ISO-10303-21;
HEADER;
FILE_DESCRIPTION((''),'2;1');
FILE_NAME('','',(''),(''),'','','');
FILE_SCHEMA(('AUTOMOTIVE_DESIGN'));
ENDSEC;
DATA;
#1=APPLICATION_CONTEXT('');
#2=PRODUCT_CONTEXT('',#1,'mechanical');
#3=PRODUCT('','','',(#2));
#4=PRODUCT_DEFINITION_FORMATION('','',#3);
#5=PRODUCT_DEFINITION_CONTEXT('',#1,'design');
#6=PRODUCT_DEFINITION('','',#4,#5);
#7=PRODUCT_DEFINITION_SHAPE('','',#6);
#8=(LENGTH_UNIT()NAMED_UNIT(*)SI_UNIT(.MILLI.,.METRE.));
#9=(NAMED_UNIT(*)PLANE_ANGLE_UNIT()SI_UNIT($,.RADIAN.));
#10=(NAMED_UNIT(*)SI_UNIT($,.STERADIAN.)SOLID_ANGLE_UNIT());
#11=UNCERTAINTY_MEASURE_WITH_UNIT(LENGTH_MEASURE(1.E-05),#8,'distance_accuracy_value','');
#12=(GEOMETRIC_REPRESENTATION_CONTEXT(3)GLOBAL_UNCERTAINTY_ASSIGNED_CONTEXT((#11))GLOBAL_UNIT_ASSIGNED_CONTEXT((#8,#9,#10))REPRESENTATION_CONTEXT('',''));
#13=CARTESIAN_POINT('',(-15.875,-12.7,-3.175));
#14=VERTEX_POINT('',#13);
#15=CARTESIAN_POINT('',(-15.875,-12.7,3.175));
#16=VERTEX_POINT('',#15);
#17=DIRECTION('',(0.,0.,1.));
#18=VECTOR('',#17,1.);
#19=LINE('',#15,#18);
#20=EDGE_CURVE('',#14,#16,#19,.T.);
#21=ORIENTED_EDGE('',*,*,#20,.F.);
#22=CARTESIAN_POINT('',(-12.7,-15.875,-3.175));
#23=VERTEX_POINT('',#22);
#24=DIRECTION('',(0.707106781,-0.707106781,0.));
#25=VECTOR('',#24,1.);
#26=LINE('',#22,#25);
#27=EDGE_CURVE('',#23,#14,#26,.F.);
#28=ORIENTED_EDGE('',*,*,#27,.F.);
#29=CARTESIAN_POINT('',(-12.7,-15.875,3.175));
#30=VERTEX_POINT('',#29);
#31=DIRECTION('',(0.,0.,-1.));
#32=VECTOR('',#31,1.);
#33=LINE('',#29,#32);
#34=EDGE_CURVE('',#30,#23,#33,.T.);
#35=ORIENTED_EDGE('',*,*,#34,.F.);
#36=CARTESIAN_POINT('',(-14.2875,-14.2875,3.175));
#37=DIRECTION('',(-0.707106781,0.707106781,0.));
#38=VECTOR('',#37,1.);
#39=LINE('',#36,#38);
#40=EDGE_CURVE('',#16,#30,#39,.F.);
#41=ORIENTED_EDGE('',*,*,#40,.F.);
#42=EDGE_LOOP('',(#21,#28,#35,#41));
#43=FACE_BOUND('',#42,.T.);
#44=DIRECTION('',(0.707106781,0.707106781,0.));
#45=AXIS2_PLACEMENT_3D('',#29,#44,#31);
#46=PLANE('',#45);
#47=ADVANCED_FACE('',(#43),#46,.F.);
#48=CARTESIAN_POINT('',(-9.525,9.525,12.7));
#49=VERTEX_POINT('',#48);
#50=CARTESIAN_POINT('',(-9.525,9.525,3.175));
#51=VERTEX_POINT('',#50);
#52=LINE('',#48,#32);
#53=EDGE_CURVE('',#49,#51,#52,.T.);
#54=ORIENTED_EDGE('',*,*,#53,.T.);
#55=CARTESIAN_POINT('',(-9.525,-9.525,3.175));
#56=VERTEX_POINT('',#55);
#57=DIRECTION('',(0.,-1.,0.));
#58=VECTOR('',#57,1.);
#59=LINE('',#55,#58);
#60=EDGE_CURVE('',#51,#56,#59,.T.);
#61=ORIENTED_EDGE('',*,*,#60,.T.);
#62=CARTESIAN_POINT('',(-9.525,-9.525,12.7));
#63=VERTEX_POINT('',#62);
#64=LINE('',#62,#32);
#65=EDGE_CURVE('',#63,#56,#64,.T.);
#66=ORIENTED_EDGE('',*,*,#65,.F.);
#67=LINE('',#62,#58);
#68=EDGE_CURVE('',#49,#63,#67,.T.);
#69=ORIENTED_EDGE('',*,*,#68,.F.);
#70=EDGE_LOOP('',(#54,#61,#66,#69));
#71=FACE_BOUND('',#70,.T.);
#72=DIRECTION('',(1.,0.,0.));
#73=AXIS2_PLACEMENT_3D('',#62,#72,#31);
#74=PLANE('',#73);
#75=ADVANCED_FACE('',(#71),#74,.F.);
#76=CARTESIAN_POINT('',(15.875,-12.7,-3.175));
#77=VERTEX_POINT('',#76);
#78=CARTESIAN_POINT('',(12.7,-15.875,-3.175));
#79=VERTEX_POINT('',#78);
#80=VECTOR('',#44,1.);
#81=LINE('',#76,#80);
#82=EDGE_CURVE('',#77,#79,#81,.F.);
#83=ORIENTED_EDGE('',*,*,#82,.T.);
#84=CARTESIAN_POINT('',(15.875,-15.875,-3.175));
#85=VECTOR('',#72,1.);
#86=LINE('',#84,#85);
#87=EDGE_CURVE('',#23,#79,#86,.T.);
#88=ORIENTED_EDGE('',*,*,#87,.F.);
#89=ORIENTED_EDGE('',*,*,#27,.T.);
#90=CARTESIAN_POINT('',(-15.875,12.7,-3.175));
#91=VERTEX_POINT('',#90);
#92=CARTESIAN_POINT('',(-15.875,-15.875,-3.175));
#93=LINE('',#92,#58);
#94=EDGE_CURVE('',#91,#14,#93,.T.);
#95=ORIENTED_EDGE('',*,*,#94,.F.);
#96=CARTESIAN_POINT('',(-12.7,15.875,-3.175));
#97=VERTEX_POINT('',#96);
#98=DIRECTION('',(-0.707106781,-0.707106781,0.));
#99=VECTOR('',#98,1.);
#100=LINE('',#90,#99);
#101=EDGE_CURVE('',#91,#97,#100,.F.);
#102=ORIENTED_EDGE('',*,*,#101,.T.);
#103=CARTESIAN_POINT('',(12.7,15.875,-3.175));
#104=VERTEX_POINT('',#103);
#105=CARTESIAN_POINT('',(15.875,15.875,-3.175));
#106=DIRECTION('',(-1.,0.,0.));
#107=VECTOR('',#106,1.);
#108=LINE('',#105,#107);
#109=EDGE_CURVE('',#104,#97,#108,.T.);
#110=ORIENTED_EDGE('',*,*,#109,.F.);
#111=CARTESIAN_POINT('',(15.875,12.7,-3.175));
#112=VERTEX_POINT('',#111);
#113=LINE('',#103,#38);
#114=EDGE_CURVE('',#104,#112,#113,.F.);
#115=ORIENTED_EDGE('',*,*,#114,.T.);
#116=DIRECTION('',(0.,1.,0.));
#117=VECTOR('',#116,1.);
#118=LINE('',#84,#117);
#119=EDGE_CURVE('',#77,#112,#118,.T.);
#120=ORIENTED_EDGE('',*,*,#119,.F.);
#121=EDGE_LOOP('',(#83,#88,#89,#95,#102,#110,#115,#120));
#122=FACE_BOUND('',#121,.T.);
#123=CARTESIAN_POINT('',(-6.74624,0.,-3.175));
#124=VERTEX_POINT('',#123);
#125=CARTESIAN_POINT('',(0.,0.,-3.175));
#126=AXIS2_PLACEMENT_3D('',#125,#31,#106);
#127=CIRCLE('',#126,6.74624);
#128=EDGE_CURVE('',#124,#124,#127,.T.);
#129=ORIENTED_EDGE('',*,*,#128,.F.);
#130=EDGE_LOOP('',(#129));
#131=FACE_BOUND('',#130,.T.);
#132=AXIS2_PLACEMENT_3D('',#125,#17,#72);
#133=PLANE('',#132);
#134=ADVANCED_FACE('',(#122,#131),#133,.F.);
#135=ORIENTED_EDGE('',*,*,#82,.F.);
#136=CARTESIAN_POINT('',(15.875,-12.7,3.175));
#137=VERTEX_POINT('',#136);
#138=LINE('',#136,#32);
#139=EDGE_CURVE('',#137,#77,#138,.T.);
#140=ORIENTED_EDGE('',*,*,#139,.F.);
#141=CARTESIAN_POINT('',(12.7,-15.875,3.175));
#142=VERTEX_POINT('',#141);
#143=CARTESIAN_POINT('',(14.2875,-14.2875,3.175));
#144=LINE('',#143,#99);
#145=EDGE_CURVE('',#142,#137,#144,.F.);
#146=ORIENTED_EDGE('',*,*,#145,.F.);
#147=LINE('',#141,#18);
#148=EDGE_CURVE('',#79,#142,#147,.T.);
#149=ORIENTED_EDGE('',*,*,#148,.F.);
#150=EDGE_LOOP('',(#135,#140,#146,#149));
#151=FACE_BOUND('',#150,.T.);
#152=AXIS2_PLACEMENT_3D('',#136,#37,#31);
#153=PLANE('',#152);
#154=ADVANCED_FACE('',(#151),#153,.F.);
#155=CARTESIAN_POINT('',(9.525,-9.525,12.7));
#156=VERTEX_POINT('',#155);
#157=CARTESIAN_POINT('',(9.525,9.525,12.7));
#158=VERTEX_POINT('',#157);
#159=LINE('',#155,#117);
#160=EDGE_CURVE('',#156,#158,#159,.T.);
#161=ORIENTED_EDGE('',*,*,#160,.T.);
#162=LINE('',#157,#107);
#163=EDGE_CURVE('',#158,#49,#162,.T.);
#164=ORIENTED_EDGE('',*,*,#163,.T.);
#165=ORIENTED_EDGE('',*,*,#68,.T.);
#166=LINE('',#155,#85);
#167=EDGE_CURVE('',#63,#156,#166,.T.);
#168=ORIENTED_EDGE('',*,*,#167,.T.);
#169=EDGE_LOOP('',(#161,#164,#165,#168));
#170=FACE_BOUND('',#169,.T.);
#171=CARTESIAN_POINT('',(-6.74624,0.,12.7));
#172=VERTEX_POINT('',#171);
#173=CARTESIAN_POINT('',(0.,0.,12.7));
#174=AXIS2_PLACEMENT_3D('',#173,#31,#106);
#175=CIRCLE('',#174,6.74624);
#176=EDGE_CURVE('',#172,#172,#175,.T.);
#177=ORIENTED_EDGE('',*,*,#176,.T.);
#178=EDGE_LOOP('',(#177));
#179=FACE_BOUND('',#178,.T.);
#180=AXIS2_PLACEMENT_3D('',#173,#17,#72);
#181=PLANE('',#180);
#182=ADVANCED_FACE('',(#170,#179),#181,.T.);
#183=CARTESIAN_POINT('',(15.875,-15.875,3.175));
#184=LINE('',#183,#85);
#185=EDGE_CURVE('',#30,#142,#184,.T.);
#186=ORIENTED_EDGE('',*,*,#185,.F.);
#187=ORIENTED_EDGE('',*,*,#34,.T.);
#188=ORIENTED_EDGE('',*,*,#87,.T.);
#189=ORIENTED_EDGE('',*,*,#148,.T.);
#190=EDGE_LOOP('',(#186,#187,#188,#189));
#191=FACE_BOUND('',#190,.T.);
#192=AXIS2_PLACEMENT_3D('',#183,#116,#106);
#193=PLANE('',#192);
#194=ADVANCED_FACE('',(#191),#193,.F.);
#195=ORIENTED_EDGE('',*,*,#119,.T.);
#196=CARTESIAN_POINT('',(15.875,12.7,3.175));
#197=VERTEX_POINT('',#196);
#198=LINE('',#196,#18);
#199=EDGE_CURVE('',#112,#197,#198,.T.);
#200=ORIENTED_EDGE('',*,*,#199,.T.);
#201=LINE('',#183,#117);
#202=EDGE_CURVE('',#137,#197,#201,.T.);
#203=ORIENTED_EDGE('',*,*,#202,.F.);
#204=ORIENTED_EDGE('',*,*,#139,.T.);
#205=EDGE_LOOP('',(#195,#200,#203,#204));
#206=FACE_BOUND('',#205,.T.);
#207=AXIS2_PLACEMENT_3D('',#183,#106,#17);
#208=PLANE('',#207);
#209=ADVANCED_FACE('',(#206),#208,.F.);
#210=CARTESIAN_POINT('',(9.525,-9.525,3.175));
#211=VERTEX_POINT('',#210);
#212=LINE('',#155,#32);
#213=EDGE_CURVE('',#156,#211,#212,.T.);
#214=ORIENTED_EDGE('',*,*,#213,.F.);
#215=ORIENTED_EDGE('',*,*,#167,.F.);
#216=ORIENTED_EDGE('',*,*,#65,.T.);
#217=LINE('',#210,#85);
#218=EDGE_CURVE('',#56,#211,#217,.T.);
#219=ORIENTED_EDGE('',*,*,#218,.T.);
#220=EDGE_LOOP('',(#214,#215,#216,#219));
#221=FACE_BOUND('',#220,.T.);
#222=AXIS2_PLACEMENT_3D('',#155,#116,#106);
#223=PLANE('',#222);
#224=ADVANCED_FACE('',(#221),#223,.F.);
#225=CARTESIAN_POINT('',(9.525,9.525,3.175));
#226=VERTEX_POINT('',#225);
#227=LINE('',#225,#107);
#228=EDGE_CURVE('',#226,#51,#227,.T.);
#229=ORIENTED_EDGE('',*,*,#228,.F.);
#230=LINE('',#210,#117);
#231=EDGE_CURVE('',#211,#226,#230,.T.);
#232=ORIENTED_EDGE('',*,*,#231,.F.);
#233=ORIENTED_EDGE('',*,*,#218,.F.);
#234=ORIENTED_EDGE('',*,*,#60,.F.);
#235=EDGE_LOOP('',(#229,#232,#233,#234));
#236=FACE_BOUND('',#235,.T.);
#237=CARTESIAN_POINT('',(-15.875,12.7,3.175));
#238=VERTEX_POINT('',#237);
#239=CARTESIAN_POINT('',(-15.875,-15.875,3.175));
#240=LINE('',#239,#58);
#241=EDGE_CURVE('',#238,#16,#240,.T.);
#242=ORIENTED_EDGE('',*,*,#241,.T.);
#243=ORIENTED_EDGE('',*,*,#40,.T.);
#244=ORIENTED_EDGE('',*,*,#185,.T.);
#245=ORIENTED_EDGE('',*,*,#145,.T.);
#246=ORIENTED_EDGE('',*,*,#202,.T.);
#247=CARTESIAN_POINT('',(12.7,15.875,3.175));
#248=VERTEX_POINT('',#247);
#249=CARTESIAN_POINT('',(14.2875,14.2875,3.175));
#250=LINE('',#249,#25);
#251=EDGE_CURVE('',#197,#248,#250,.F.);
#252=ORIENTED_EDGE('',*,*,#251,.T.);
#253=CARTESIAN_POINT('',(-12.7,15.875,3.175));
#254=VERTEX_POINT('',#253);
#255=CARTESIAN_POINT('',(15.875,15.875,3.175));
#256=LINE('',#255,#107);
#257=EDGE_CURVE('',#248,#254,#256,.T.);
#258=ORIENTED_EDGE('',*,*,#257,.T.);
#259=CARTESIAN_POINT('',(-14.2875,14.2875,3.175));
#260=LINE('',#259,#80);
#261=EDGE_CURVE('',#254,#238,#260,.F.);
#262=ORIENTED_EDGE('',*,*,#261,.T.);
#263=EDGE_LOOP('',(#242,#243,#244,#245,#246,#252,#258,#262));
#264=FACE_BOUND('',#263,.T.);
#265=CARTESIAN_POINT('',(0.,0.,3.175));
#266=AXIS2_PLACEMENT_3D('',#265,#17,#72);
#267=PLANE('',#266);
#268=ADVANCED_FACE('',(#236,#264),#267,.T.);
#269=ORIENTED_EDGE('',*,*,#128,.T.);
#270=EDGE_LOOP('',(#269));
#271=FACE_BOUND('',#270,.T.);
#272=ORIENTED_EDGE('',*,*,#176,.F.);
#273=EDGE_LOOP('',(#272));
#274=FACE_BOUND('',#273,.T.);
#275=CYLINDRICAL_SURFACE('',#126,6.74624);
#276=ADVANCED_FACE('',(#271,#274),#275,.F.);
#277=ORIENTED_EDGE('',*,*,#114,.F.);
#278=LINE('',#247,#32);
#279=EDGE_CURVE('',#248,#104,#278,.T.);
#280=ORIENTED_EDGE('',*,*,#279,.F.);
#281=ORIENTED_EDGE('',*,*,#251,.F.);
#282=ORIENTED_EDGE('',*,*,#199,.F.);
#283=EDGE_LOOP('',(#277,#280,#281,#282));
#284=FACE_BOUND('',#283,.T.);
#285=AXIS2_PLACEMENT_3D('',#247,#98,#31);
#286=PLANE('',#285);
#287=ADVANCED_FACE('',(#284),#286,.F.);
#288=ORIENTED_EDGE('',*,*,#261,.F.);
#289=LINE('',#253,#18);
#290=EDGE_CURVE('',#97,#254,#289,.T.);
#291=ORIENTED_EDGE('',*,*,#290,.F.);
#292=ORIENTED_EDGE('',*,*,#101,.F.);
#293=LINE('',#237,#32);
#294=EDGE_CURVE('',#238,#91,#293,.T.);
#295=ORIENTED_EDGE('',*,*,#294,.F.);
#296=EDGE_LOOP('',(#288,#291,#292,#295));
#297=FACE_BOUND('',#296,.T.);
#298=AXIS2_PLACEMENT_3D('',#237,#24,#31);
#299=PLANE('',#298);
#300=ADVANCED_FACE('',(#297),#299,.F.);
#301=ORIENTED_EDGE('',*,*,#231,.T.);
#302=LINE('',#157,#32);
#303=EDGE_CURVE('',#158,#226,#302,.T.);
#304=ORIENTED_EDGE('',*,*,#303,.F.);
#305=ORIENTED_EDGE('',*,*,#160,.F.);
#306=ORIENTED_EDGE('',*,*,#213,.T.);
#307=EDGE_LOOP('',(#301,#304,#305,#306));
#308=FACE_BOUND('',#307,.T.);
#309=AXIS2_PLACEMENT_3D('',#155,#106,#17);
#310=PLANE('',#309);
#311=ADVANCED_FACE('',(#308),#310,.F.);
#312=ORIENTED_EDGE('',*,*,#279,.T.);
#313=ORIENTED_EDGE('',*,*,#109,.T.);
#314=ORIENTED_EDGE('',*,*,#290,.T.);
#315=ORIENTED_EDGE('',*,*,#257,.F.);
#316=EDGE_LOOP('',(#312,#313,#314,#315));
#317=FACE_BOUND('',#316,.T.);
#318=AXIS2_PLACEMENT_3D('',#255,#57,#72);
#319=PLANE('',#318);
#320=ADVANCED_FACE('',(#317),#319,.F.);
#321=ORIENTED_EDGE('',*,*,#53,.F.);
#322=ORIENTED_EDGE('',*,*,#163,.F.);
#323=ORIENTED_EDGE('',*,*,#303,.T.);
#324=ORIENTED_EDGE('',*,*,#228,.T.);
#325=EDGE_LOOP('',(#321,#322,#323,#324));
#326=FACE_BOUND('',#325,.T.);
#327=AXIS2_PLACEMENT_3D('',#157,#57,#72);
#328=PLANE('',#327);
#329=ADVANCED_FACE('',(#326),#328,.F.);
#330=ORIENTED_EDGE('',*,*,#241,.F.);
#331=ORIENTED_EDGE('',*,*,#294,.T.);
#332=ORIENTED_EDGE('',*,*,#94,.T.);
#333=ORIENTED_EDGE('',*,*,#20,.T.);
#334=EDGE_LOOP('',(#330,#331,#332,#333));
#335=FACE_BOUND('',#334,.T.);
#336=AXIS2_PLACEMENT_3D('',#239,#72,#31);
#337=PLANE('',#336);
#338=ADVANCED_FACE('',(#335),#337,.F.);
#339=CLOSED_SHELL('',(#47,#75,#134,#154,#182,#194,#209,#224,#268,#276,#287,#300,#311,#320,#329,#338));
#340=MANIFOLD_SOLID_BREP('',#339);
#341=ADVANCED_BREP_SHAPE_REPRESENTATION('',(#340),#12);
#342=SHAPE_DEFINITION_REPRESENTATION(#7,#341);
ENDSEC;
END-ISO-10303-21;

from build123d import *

# Parameters (mm, degrees)
SKETCH1_W               = 31.75
SKETCH1_H               = 31.75
BOSS_EXTRUDE1_DEPTH     = 3.175
SKETCH4_W               = 19.05
SKETCH4_H               = 19.05
BOSS_EXTRUDE2_DEPTH     = 9.525
F_5_8_11_TAPPED_HOLE2_D = 13.49248
CHAMFER1_SIZE           = 3.175


with BuildPart() as part:
    # Sketch1 → Boss-Extrude1 (new, symmetric)
    with BuildSketch(Plane.XY):
        Rectangle(SKETCH1_W, SKETCH1_H)
    extrude(amount=BOSS_EXTRUDE1_DEPTH, both=True)

    # Sketch4 → Boss-Extrude2 (add)
    with BuildSketch(Plane.XY.offset(3.175)):
        Rectangle(SKETCH4_W, SKETCH4_H)
    extrude(amount=BOSS_EXTRUDE2_DEPTH)

    # 5/8-11 Tapped Hole2 (through all)
    with Locations(Plane(origin=(0, 0, -3.175), x_dir=(-1, 0, 0), z_dir=(0, 0, -1))):
        with Locations((0, 0)):
            Hole(F_5_8_11_TAPPED_HOLE2_D / 2)

    # Chamfer1
    chamfer1_edges = [part.edges().sort_by_distance(p)[0] for p in [
        (-15.875, 15.875, 0),
        (15.875, 15.875, 0),
        (15.875, -15.875, 0),
        (-15.875, -15.875, 0),
    ]]
    chamfer(chamfer1_edges, length=CHAMFER1_SIZE)


solid = part.part
